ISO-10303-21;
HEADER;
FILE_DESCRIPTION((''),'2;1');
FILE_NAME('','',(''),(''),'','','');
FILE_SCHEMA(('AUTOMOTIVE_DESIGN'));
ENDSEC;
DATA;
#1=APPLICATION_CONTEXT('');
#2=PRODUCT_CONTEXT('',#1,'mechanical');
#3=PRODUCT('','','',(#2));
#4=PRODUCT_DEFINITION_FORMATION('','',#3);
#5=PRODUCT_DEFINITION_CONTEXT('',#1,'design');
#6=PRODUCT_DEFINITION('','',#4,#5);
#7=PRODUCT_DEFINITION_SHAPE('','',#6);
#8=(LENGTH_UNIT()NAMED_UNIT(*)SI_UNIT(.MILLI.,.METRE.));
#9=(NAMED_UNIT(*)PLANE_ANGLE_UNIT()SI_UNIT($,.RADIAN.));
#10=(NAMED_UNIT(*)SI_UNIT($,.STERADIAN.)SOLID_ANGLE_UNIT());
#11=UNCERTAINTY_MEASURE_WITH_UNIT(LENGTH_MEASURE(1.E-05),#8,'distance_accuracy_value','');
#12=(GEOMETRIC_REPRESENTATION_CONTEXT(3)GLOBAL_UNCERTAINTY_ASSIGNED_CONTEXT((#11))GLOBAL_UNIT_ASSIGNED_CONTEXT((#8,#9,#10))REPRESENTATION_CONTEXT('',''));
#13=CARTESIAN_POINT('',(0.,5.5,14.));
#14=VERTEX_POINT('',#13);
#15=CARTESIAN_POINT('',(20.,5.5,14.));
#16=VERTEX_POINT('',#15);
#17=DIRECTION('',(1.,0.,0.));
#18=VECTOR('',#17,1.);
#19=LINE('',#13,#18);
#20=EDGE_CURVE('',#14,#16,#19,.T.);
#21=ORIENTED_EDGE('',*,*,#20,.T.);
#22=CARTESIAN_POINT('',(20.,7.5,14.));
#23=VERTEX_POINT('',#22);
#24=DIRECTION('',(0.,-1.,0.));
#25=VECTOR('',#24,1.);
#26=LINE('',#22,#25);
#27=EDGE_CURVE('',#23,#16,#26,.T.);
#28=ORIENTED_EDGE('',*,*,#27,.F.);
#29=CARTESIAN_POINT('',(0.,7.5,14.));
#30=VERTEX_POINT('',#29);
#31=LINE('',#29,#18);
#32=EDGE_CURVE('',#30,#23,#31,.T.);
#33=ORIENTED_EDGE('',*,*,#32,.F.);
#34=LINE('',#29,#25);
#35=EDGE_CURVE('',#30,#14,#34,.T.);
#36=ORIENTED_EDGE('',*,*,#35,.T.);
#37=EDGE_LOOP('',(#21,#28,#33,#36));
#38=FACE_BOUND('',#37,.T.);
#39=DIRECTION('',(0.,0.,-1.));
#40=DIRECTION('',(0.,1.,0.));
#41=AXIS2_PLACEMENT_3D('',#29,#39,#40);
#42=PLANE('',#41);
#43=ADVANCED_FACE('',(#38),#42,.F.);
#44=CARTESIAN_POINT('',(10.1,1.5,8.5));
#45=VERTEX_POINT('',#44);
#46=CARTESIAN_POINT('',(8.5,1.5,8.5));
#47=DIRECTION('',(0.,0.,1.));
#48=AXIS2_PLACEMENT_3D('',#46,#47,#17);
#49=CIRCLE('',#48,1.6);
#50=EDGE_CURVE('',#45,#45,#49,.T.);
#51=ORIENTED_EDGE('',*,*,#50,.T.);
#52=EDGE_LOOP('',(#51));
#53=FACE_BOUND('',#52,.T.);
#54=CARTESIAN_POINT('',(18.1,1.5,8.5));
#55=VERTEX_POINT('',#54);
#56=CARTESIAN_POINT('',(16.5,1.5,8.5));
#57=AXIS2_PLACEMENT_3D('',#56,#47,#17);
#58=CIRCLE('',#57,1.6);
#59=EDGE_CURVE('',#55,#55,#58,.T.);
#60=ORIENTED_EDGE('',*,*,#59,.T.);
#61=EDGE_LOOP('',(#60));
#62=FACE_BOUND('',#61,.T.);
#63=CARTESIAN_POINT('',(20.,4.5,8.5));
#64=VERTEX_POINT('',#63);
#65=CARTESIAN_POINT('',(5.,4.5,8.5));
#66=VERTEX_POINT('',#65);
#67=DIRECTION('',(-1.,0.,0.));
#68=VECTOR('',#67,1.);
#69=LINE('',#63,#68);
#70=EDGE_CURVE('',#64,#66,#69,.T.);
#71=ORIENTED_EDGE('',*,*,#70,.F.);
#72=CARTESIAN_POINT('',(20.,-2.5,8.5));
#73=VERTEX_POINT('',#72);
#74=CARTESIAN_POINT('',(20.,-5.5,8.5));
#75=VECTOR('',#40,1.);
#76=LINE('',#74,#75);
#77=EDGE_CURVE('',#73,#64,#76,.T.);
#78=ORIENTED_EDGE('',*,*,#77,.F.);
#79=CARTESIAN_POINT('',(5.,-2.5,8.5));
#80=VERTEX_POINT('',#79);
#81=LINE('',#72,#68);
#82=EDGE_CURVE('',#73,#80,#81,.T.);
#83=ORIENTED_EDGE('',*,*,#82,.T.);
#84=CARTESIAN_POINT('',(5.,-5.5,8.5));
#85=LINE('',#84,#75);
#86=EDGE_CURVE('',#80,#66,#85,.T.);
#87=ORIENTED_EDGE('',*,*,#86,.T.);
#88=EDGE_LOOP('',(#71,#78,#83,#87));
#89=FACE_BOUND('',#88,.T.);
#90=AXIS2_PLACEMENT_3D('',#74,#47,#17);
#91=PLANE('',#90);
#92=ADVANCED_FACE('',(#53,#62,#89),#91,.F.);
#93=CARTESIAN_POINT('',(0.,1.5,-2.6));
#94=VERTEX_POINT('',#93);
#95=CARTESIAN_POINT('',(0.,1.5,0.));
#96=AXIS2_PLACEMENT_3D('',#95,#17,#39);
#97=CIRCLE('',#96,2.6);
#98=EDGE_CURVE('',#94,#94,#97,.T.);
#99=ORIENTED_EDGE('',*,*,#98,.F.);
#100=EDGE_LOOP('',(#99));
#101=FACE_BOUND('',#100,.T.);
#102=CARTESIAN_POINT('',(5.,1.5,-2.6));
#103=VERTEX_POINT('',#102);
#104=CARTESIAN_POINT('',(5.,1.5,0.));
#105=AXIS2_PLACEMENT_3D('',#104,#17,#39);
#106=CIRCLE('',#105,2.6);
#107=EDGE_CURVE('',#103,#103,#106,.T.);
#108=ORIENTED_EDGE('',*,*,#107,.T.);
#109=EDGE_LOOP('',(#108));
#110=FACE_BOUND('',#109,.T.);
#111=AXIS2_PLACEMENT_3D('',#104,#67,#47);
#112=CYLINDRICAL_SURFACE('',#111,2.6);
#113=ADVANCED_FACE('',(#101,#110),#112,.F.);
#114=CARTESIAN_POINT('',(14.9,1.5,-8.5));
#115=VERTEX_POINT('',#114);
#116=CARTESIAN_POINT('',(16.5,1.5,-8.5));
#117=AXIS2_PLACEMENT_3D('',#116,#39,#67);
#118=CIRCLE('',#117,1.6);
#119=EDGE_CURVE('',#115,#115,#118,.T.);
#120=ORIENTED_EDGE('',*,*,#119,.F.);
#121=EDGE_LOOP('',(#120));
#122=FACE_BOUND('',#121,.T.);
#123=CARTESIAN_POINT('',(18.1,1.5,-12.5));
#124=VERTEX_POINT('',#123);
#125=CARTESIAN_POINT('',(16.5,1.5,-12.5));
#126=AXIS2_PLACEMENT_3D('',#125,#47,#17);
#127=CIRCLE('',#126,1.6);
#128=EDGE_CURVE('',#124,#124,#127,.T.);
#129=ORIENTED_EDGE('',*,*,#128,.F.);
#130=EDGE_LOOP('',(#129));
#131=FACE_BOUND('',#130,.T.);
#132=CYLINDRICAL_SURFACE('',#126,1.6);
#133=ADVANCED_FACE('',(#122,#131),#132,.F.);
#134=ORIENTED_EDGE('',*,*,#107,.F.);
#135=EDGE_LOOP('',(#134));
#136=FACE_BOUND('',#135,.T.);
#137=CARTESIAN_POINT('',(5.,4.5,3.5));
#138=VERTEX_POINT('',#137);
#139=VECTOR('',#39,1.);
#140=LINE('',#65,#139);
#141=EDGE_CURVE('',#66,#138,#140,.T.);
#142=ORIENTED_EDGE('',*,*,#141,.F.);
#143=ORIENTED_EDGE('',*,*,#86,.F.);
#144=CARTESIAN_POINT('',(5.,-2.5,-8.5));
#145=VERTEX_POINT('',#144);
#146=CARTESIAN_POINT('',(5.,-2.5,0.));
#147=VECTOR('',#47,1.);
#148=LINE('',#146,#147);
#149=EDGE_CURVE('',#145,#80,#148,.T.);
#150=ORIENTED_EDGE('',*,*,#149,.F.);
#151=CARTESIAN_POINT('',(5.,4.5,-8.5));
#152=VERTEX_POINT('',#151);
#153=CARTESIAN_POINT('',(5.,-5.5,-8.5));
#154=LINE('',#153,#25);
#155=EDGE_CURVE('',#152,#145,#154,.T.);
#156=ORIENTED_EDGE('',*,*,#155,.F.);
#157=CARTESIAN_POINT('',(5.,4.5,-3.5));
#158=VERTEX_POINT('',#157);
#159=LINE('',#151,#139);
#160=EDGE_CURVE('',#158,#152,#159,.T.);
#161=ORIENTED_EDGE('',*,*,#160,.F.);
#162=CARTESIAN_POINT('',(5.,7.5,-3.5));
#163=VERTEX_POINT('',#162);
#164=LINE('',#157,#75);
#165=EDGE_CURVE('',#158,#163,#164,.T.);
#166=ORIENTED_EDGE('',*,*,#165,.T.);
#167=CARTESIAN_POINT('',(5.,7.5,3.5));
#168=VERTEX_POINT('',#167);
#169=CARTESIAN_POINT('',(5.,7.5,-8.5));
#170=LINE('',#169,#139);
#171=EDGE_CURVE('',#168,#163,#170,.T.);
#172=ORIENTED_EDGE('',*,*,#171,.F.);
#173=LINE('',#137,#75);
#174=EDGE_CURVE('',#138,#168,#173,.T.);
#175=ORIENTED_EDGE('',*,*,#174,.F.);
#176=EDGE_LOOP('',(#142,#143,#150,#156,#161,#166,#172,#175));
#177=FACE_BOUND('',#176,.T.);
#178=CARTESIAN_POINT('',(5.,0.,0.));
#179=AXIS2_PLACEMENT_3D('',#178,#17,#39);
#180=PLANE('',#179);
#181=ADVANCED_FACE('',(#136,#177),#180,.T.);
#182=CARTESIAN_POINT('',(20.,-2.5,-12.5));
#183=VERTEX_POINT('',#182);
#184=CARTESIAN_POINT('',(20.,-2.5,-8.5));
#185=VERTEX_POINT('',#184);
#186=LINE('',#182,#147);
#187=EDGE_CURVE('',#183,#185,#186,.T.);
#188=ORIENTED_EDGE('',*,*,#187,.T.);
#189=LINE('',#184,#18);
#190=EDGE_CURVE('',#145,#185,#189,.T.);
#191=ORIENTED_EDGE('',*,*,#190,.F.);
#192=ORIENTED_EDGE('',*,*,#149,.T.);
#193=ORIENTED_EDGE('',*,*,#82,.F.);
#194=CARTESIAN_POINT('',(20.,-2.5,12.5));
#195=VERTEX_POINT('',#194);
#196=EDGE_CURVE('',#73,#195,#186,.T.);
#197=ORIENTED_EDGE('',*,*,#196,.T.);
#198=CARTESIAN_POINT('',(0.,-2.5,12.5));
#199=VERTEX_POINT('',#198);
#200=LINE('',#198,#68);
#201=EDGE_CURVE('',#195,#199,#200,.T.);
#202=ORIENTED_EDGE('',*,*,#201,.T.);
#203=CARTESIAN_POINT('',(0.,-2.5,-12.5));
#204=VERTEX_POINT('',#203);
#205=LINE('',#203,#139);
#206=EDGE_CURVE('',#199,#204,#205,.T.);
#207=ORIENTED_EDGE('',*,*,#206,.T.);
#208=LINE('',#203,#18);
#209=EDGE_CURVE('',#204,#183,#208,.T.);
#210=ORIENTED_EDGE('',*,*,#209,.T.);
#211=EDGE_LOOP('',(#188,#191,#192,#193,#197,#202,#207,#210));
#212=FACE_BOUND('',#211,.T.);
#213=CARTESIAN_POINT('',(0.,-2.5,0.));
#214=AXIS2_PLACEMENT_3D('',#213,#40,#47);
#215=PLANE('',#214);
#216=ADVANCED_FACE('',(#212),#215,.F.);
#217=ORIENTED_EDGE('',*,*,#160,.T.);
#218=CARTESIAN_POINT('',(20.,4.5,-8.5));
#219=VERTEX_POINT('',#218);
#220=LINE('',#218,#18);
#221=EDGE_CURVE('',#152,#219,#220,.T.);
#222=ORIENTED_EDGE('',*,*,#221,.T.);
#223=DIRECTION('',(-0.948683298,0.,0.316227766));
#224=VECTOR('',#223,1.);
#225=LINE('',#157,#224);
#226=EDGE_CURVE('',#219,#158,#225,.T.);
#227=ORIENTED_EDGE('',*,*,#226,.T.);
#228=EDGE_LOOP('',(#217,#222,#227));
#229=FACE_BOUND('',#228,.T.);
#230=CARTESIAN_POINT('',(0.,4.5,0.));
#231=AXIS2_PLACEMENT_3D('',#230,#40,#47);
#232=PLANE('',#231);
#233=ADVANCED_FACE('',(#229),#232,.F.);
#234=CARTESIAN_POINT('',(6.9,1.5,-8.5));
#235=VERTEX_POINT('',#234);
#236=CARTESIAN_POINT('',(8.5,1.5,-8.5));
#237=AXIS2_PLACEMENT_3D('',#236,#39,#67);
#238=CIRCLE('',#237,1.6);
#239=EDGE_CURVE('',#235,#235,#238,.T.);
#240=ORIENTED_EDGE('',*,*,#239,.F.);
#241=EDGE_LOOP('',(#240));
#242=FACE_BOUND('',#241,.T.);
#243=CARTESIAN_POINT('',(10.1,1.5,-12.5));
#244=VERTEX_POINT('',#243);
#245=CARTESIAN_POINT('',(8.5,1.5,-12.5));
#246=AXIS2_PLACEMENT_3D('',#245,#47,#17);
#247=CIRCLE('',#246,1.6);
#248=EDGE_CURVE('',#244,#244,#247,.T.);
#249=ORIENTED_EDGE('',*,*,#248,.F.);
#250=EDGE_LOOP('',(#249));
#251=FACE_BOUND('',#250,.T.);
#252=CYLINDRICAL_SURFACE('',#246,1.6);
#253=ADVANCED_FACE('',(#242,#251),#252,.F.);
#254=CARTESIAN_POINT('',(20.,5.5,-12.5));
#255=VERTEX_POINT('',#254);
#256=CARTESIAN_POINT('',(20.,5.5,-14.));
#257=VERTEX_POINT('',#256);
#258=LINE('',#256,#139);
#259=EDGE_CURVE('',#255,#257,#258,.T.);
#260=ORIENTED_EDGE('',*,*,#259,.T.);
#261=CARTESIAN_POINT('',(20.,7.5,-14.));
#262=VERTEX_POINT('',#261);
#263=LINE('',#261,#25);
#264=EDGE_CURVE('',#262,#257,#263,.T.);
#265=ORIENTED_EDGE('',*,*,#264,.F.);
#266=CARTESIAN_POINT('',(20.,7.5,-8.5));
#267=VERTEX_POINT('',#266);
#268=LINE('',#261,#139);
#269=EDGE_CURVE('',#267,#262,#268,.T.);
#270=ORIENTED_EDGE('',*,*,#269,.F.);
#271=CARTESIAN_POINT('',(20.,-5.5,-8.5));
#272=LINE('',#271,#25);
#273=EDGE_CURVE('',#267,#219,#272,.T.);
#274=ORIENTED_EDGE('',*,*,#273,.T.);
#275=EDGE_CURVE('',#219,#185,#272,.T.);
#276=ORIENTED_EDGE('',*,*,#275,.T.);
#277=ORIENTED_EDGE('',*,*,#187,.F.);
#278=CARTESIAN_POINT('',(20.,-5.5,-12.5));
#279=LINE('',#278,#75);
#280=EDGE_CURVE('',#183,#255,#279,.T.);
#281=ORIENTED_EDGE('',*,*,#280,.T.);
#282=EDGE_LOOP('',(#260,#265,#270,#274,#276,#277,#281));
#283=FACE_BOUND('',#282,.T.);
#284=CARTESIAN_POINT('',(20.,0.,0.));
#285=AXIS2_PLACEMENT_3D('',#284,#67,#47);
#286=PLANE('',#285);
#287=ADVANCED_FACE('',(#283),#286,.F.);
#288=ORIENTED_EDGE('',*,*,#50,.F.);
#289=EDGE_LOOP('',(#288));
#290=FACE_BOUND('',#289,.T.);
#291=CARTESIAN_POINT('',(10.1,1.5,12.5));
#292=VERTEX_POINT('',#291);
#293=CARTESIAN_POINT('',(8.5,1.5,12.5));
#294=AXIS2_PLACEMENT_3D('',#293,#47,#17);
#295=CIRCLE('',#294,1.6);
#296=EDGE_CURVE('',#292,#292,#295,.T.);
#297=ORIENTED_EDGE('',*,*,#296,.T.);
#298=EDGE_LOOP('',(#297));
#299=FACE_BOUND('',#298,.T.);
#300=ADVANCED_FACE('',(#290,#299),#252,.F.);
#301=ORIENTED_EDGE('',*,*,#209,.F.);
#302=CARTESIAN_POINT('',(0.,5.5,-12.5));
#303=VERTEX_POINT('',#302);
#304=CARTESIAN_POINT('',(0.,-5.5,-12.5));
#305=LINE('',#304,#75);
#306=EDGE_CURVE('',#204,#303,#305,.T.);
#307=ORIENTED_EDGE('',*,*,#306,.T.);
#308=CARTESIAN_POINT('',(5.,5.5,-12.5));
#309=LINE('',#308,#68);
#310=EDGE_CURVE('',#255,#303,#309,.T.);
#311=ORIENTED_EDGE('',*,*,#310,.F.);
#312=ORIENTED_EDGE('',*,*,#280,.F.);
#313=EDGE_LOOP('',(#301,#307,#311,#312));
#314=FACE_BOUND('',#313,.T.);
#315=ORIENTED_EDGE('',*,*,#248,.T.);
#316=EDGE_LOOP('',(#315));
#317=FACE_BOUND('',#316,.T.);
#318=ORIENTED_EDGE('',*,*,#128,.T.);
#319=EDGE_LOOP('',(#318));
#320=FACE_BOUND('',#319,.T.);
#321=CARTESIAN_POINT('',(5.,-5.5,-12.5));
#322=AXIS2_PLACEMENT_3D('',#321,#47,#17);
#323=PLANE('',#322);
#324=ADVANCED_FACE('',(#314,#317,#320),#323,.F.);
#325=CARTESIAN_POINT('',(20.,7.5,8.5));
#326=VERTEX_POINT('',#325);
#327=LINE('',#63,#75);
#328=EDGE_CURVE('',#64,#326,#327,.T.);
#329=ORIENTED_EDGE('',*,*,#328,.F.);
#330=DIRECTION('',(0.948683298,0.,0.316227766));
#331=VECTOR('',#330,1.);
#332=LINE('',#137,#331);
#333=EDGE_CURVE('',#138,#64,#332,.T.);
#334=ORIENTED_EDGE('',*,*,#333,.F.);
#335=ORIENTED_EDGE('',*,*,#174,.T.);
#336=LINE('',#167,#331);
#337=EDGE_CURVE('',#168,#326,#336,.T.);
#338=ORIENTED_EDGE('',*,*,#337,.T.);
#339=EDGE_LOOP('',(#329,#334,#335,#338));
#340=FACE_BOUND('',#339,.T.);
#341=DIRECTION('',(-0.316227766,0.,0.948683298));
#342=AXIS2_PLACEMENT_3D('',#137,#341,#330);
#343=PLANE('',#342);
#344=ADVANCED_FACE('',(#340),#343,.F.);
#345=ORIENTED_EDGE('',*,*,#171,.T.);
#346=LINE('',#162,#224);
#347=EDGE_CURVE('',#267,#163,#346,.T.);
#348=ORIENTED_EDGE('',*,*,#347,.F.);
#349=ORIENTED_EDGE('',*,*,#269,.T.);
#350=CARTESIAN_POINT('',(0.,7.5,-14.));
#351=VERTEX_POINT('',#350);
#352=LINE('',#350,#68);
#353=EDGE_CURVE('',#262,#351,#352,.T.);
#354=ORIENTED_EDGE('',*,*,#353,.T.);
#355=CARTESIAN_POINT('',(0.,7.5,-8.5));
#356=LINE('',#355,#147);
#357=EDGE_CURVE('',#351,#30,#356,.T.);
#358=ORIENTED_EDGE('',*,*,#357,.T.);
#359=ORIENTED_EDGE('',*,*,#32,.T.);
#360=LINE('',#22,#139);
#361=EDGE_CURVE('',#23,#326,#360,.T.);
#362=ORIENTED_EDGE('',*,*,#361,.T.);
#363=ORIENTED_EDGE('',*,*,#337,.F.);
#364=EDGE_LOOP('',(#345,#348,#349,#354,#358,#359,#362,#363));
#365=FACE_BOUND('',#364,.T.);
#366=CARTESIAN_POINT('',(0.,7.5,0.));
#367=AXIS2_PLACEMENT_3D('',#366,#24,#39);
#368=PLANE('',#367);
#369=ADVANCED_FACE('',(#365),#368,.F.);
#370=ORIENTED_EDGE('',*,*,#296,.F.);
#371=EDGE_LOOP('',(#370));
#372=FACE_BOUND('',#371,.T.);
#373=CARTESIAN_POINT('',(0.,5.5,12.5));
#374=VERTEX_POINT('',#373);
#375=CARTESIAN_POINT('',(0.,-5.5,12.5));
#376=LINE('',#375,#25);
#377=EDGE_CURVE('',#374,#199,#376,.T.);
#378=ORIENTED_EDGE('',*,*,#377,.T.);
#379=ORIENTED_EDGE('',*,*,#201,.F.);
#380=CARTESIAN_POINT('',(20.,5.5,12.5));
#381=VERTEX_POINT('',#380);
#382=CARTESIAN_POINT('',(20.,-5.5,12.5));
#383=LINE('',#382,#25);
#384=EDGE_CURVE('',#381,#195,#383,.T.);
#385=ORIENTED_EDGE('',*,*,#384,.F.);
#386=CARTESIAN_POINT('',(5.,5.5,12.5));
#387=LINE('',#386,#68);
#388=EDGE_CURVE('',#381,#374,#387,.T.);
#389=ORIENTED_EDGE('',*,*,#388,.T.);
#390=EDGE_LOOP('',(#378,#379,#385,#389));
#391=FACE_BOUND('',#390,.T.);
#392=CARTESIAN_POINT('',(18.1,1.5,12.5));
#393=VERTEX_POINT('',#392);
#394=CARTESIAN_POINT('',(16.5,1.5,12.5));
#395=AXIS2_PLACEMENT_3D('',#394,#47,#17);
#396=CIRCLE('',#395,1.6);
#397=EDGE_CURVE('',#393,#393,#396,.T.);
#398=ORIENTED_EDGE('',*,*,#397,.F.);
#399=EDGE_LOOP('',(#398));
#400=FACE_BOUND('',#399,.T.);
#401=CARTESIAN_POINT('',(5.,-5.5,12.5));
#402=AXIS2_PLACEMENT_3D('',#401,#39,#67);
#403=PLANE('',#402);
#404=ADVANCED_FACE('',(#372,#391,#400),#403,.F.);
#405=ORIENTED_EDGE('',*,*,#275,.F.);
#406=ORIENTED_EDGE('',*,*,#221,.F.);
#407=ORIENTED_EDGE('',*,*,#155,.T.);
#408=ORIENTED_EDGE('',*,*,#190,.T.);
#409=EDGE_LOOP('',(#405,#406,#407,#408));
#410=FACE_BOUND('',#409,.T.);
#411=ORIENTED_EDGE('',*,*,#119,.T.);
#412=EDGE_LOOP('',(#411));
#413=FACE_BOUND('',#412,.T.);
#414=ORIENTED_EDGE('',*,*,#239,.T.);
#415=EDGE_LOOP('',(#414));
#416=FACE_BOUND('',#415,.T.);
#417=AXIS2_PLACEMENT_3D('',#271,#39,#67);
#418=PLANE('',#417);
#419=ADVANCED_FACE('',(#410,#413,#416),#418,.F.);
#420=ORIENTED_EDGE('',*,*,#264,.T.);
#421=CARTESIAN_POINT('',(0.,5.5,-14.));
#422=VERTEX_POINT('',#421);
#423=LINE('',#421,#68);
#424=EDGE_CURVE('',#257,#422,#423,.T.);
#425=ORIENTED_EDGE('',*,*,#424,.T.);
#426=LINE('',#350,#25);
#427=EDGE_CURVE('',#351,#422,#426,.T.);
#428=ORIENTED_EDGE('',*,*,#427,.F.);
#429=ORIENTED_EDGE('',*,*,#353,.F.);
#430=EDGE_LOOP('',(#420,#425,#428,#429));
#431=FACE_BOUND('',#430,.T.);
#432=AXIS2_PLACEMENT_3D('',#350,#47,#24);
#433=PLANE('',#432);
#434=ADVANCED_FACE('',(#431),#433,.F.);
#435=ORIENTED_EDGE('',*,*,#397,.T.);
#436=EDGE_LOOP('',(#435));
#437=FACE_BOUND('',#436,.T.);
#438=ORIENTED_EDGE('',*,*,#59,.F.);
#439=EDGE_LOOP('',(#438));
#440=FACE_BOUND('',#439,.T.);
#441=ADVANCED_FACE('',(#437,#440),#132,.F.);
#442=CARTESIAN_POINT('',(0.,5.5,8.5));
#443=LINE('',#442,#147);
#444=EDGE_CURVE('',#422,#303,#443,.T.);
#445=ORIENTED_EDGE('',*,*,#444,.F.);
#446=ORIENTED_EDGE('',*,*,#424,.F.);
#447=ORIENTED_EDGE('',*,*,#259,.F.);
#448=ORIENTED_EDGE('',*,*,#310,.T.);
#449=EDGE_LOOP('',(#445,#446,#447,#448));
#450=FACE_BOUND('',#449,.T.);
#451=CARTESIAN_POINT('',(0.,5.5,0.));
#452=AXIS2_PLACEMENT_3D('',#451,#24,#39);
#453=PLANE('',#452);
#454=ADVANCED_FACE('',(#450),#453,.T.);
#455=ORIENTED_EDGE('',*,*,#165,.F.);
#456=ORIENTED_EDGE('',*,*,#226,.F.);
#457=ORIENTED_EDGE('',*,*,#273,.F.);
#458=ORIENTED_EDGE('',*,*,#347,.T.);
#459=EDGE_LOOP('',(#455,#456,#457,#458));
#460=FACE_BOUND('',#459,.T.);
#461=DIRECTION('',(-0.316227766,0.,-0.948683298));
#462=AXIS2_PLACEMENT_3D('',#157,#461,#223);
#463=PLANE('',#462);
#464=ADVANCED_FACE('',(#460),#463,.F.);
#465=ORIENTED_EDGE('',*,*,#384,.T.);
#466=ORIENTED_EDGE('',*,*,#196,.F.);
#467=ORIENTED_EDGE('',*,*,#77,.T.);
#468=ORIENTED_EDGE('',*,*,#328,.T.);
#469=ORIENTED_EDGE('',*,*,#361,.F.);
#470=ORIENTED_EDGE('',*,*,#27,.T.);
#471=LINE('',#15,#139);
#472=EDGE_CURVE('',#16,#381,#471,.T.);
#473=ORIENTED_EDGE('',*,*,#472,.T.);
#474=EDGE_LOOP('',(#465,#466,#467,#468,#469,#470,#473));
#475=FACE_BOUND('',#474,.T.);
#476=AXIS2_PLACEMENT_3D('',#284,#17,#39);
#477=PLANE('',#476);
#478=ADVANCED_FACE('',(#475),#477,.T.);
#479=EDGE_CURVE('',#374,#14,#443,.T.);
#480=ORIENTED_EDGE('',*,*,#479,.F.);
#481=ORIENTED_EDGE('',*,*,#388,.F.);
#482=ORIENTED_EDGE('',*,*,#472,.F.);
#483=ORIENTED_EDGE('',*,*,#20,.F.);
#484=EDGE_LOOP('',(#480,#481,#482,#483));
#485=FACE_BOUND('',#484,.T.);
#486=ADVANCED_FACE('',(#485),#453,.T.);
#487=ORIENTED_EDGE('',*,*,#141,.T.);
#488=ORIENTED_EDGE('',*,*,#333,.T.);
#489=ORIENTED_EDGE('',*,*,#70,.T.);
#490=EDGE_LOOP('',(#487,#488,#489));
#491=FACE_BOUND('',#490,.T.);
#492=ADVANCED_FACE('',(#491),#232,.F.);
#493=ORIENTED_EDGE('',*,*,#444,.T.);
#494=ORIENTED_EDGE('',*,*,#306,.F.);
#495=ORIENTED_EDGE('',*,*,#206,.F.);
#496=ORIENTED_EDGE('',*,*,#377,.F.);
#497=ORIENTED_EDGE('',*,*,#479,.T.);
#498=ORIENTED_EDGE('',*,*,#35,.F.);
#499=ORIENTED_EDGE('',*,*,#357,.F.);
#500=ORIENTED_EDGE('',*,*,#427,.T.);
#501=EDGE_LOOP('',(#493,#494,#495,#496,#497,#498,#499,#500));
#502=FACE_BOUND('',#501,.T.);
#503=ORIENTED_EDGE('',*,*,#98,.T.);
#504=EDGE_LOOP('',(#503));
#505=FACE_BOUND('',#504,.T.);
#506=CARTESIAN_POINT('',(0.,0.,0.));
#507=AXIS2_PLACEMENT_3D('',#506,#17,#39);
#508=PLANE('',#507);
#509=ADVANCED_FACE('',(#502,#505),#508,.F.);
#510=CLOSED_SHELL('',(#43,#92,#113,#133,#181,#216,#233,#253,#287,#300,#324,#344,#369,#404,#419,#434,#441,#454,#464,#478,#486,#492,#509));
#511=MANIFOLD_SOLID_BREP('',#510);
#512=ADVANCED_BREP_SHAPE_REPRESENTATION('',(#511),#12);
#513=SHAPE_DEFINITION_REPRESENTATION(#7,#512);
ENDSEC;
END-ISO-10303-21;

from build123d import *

# Parameters (mm, degrees)
SKETCH_1_W          = 25
SKETCH_1_H          = 11
SKETCH_1_R          = 2.6
EXTRUDE_1_DEPTH     = 5
SKETCH_2_W          = 4
SKETCH_2_H          = 11
EXTRUDE_2_DEPTH     = 15
SKETCH_4_R          = 1.6
CUT_EXTRUDE_1_DEPTH = 33.484611742
EXTRUDE_4_DEPTH     = 2
EXTRUDE_3_DEPTH     = 3
SKETCH_8_W          = 20
SKETCH_8_H          = 25
CUT_EXTRUDE_2_DEPTH = 3


with BuildPart() as part:
    # 草图1 → 凸台-拉伸1 (new body)
    with BuildSketch(Plane(origin=(0, 0, 0), x_dir=(0, 0, -1), z_dir=(1, 0, 0))):
        Rectangle(SKETCH_1_W, SKETCH_1_H)
        with Locations((0, 1.5)):
            Circle(SKETCH_1_R, mode=Mode.SUBTRACT)
    extrude(amount=EXTRUDE_1_DEPTH)

    # 草图2 → 凸台-拉伸2 (add)
    with BuildSketch(Plane(origin=(5, 0, 0), x_dir=(0, 0, -1), z_dir=(1, 0, 0))):
        with Locations((-10.5, 0)):
            Rectangle(SKETCH_2_W, SKETCH_2_H)
        with Locations((10.5, 0)):
            Rectangle(SKETCH_2_W, SKETCH_2_H)
    extrude(amount=EXTRUDE_2_DEPTH)

    # 草图4 → 切除-拉伸1 (cut, through all)
    with BuildSketch(Plane.XY.offset(12.5)):
        with Locations((16.5, 1.5)):
            Circle(SKETCH_4_R)
        with Locations((8.5, 1.5)):
            Circle(SKETCH_4_R)
    extrude(amount=-CUT_EXTRUDE_1_DEPTH, mode=Mode.SUBTRACT)

    # 草图7 → 凸台-拉伸4 (add)
    with BuildSketch(Plane(origin=(0, 5.5, 0), x_dir=(1, 0, 0), z_dir=(0, 1, 0))):
        Polygon((20, 8.5), (5, 8.5), (5, -8.5), (20, -8.5), (20, -14), (0, -14), (0, -8.5), (0, 8.5), (0, 14), (20, 14), align=None)
    extrude(amount=EXTRUDE_4_DEPTH)

    # 草图6 → 凸台-拉伸3 (add)
    with BuildSketch(Plane.XZ.offset(-7.5)):
        Polygon((20, 8.5), (5, 8.5), (5, 3.5), align=None)
        Polygon((5, -8.5), (5, -3.5), (20, -8.5), align=None)
    extrude(amount=EXTRUDE_3_DEPTH)

    # 草图8 → 切除-拉伸2 (cut)
    with BuildSketch(Plane.XZ.offset(5.5)):
        with Locations((10, 0)):
            Rectangle(SKETCH_8_W, SKETCH_8_H)
    extrude(amount=-CUT_EXTRUDE_2_DEPTH, mode=Mode.SUBTRACT)


solid = part.part
